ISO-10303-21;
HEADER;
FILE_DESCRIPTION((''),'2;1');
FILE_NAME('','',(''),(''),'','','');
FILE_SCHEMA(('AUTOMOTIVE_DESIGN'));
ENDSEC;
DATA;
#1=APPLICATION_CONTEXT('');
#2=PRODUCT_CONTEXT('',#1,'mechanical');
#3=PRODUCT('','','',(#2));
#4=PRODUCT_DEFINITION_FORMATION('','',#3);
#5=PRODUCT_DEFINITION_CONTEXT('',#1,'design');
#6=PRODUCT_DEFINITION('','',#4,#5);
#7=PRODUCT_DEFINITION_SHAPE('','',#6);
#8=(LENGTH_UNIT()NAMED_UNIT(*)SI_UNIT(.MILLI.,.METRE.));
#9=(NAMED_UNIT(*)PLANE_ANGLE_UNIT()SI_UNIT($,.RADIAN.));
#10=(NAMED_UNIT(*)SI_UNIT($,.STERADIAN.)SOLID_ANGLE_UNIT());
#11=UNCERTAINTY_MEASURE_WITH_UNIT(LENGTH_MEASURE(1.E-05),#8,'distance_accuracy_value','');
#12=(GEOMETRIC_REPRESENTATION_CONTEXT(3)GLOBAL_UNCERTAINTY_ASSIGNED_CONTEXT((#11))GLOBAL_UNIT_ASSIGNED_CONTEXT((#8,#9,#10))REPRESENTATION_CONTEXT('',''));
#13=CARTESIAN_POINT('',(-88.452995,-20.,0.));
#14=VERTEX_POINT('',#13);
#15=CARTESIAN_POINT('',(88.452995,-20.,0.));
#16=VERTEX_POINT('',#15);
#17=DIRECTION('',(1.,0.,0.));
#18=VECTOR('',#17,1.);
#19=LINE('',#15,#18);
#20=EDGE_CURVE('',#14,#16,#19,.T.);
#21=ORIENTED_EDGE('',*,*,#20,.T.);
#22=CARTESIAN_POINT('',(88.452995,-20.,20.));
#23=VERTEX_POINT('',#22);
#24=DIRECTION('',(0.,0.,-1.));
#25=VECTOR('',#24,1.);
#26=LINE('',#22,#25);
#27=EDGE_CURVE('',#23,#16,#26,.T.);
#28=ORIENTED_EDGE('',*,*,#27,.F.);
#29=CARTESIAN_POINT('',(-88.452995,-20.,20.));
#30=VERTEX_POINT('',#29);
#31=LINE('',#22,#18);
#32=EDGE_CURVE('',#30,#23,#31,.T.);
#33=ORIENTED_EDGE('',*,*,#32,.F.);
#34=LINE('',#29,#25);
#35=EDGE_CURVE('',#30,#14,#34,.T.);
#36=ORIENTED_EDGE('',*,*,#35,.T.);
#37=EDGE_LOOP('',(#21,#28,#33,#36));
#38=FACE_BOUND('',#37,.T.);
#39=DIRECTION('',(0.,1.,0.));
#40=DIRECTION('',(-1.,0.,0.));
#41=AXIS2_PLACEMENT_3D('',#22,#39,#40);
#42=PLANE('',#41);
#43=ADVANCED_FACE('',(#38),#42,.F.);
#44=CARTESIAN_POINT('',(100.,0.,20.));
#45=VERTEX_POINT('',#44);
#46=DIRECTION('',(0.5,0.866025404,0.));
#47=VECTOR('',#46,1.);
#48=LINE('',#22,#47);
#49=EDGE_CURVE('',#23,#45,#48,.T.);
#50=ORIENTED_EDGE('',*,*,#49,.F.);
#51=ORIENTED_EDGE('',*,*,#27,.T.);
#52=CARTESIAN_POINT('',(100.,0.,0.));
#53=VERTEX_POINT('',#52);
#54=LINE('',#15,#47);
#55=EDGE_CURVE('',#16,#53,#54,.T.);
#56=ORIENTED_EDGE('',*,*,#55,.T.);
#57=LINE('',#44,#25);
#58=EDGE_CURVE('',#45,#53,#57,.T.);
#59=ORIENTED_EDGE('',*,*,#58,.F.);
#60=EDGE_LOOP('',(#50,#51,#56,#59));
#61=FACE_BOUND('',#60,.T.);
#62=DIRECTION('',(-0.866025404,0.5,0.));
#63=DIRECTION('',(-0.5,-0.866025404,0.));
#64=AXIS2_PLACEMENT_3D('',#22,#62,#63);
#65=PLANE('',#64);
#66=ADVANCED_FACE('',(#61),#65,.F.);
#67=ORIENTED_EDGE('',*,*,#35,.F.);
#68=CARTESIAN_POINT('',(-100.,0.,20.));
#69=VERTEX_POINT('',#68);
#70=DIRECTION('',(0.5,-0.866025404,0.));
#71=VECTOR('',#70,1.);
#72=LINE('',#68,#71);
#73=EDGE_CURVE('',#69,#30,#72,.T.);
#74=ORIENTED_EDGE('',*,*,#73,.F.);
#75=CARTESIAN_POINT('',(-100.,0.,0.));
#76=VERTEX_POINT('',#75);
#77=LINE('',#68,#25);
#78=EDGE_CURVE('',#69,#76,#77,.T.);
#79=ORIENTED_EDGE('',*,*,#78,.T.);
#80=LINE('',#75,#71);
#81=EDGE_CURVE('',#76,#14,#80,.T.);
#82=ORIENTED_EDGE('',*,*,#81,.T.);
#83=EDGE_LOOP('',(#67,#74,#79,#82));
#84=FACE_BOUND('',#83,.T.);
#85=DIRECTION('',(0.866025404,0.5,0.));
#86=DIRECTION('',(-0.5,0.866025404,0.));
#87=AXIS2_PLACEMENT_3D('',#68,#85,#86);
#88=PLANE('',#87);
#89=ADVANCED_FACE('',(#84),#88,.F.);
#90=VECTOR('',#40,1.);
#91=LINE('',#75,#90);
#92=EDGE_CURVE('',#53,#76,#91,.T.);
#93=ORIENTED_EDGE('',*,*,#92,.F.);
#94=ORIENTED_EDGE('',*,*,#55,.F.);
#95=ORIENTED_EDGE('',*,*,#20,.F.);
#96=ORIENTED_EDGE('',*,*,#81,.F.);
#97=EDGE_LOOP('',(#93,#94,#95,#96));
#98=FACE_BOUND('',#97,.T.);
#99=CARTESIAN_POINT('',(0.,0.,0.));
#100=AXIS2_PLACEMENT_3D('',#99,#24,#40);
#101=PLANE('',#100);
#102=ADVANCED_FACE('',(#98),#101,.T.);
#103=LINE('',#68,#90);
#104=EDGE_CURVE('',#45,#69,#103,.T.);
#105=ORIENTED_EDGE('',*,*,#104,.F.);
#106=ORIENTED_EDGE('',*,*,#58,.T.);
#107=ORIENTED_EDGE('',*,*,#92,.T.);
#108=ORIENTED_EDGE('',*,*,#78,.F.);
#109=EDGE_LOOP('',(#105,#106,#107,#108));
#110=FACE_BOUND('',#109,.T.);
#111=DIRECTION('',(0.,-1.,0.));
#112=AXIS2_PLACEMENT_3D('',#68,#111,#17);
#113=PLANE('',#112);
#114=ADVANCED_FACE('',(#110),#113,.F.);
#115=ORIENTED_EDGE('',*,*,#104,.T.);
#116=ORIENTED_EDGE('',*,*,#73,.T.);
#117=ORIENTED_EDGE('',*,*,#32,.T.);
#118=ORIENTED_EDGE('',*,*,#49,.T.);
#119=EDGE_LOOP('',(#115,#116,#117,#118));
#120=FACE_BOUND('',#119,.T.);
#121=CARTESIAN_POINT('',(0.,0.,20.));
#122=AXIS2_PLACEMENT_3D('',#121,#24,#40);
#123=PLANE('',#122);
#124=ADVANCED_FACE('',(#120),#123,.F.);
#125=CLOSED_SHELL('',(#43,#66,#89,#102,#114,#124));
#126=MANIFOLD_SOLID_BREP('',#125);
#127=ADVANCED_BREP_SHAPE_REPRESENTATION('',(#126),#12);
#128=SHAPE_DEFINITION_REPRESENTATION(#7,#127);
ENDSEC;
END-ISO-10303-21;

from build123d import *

# Parameters (mm, degrees)
BOSS_EXTRUDE1_DEPTH = 20


with BuildPart() as part:
    # Sketch1 → Boss-Extrude1 (new body)
    with BuildSketch(Plane.XY):
        Polygon((-100, 0), (100, 0), (88.452994616, -20), (-88.452994616, -20), align=None)
    extrude(amount=BOSS_EXTRUDE1_DEPTH)


solid = part.part
